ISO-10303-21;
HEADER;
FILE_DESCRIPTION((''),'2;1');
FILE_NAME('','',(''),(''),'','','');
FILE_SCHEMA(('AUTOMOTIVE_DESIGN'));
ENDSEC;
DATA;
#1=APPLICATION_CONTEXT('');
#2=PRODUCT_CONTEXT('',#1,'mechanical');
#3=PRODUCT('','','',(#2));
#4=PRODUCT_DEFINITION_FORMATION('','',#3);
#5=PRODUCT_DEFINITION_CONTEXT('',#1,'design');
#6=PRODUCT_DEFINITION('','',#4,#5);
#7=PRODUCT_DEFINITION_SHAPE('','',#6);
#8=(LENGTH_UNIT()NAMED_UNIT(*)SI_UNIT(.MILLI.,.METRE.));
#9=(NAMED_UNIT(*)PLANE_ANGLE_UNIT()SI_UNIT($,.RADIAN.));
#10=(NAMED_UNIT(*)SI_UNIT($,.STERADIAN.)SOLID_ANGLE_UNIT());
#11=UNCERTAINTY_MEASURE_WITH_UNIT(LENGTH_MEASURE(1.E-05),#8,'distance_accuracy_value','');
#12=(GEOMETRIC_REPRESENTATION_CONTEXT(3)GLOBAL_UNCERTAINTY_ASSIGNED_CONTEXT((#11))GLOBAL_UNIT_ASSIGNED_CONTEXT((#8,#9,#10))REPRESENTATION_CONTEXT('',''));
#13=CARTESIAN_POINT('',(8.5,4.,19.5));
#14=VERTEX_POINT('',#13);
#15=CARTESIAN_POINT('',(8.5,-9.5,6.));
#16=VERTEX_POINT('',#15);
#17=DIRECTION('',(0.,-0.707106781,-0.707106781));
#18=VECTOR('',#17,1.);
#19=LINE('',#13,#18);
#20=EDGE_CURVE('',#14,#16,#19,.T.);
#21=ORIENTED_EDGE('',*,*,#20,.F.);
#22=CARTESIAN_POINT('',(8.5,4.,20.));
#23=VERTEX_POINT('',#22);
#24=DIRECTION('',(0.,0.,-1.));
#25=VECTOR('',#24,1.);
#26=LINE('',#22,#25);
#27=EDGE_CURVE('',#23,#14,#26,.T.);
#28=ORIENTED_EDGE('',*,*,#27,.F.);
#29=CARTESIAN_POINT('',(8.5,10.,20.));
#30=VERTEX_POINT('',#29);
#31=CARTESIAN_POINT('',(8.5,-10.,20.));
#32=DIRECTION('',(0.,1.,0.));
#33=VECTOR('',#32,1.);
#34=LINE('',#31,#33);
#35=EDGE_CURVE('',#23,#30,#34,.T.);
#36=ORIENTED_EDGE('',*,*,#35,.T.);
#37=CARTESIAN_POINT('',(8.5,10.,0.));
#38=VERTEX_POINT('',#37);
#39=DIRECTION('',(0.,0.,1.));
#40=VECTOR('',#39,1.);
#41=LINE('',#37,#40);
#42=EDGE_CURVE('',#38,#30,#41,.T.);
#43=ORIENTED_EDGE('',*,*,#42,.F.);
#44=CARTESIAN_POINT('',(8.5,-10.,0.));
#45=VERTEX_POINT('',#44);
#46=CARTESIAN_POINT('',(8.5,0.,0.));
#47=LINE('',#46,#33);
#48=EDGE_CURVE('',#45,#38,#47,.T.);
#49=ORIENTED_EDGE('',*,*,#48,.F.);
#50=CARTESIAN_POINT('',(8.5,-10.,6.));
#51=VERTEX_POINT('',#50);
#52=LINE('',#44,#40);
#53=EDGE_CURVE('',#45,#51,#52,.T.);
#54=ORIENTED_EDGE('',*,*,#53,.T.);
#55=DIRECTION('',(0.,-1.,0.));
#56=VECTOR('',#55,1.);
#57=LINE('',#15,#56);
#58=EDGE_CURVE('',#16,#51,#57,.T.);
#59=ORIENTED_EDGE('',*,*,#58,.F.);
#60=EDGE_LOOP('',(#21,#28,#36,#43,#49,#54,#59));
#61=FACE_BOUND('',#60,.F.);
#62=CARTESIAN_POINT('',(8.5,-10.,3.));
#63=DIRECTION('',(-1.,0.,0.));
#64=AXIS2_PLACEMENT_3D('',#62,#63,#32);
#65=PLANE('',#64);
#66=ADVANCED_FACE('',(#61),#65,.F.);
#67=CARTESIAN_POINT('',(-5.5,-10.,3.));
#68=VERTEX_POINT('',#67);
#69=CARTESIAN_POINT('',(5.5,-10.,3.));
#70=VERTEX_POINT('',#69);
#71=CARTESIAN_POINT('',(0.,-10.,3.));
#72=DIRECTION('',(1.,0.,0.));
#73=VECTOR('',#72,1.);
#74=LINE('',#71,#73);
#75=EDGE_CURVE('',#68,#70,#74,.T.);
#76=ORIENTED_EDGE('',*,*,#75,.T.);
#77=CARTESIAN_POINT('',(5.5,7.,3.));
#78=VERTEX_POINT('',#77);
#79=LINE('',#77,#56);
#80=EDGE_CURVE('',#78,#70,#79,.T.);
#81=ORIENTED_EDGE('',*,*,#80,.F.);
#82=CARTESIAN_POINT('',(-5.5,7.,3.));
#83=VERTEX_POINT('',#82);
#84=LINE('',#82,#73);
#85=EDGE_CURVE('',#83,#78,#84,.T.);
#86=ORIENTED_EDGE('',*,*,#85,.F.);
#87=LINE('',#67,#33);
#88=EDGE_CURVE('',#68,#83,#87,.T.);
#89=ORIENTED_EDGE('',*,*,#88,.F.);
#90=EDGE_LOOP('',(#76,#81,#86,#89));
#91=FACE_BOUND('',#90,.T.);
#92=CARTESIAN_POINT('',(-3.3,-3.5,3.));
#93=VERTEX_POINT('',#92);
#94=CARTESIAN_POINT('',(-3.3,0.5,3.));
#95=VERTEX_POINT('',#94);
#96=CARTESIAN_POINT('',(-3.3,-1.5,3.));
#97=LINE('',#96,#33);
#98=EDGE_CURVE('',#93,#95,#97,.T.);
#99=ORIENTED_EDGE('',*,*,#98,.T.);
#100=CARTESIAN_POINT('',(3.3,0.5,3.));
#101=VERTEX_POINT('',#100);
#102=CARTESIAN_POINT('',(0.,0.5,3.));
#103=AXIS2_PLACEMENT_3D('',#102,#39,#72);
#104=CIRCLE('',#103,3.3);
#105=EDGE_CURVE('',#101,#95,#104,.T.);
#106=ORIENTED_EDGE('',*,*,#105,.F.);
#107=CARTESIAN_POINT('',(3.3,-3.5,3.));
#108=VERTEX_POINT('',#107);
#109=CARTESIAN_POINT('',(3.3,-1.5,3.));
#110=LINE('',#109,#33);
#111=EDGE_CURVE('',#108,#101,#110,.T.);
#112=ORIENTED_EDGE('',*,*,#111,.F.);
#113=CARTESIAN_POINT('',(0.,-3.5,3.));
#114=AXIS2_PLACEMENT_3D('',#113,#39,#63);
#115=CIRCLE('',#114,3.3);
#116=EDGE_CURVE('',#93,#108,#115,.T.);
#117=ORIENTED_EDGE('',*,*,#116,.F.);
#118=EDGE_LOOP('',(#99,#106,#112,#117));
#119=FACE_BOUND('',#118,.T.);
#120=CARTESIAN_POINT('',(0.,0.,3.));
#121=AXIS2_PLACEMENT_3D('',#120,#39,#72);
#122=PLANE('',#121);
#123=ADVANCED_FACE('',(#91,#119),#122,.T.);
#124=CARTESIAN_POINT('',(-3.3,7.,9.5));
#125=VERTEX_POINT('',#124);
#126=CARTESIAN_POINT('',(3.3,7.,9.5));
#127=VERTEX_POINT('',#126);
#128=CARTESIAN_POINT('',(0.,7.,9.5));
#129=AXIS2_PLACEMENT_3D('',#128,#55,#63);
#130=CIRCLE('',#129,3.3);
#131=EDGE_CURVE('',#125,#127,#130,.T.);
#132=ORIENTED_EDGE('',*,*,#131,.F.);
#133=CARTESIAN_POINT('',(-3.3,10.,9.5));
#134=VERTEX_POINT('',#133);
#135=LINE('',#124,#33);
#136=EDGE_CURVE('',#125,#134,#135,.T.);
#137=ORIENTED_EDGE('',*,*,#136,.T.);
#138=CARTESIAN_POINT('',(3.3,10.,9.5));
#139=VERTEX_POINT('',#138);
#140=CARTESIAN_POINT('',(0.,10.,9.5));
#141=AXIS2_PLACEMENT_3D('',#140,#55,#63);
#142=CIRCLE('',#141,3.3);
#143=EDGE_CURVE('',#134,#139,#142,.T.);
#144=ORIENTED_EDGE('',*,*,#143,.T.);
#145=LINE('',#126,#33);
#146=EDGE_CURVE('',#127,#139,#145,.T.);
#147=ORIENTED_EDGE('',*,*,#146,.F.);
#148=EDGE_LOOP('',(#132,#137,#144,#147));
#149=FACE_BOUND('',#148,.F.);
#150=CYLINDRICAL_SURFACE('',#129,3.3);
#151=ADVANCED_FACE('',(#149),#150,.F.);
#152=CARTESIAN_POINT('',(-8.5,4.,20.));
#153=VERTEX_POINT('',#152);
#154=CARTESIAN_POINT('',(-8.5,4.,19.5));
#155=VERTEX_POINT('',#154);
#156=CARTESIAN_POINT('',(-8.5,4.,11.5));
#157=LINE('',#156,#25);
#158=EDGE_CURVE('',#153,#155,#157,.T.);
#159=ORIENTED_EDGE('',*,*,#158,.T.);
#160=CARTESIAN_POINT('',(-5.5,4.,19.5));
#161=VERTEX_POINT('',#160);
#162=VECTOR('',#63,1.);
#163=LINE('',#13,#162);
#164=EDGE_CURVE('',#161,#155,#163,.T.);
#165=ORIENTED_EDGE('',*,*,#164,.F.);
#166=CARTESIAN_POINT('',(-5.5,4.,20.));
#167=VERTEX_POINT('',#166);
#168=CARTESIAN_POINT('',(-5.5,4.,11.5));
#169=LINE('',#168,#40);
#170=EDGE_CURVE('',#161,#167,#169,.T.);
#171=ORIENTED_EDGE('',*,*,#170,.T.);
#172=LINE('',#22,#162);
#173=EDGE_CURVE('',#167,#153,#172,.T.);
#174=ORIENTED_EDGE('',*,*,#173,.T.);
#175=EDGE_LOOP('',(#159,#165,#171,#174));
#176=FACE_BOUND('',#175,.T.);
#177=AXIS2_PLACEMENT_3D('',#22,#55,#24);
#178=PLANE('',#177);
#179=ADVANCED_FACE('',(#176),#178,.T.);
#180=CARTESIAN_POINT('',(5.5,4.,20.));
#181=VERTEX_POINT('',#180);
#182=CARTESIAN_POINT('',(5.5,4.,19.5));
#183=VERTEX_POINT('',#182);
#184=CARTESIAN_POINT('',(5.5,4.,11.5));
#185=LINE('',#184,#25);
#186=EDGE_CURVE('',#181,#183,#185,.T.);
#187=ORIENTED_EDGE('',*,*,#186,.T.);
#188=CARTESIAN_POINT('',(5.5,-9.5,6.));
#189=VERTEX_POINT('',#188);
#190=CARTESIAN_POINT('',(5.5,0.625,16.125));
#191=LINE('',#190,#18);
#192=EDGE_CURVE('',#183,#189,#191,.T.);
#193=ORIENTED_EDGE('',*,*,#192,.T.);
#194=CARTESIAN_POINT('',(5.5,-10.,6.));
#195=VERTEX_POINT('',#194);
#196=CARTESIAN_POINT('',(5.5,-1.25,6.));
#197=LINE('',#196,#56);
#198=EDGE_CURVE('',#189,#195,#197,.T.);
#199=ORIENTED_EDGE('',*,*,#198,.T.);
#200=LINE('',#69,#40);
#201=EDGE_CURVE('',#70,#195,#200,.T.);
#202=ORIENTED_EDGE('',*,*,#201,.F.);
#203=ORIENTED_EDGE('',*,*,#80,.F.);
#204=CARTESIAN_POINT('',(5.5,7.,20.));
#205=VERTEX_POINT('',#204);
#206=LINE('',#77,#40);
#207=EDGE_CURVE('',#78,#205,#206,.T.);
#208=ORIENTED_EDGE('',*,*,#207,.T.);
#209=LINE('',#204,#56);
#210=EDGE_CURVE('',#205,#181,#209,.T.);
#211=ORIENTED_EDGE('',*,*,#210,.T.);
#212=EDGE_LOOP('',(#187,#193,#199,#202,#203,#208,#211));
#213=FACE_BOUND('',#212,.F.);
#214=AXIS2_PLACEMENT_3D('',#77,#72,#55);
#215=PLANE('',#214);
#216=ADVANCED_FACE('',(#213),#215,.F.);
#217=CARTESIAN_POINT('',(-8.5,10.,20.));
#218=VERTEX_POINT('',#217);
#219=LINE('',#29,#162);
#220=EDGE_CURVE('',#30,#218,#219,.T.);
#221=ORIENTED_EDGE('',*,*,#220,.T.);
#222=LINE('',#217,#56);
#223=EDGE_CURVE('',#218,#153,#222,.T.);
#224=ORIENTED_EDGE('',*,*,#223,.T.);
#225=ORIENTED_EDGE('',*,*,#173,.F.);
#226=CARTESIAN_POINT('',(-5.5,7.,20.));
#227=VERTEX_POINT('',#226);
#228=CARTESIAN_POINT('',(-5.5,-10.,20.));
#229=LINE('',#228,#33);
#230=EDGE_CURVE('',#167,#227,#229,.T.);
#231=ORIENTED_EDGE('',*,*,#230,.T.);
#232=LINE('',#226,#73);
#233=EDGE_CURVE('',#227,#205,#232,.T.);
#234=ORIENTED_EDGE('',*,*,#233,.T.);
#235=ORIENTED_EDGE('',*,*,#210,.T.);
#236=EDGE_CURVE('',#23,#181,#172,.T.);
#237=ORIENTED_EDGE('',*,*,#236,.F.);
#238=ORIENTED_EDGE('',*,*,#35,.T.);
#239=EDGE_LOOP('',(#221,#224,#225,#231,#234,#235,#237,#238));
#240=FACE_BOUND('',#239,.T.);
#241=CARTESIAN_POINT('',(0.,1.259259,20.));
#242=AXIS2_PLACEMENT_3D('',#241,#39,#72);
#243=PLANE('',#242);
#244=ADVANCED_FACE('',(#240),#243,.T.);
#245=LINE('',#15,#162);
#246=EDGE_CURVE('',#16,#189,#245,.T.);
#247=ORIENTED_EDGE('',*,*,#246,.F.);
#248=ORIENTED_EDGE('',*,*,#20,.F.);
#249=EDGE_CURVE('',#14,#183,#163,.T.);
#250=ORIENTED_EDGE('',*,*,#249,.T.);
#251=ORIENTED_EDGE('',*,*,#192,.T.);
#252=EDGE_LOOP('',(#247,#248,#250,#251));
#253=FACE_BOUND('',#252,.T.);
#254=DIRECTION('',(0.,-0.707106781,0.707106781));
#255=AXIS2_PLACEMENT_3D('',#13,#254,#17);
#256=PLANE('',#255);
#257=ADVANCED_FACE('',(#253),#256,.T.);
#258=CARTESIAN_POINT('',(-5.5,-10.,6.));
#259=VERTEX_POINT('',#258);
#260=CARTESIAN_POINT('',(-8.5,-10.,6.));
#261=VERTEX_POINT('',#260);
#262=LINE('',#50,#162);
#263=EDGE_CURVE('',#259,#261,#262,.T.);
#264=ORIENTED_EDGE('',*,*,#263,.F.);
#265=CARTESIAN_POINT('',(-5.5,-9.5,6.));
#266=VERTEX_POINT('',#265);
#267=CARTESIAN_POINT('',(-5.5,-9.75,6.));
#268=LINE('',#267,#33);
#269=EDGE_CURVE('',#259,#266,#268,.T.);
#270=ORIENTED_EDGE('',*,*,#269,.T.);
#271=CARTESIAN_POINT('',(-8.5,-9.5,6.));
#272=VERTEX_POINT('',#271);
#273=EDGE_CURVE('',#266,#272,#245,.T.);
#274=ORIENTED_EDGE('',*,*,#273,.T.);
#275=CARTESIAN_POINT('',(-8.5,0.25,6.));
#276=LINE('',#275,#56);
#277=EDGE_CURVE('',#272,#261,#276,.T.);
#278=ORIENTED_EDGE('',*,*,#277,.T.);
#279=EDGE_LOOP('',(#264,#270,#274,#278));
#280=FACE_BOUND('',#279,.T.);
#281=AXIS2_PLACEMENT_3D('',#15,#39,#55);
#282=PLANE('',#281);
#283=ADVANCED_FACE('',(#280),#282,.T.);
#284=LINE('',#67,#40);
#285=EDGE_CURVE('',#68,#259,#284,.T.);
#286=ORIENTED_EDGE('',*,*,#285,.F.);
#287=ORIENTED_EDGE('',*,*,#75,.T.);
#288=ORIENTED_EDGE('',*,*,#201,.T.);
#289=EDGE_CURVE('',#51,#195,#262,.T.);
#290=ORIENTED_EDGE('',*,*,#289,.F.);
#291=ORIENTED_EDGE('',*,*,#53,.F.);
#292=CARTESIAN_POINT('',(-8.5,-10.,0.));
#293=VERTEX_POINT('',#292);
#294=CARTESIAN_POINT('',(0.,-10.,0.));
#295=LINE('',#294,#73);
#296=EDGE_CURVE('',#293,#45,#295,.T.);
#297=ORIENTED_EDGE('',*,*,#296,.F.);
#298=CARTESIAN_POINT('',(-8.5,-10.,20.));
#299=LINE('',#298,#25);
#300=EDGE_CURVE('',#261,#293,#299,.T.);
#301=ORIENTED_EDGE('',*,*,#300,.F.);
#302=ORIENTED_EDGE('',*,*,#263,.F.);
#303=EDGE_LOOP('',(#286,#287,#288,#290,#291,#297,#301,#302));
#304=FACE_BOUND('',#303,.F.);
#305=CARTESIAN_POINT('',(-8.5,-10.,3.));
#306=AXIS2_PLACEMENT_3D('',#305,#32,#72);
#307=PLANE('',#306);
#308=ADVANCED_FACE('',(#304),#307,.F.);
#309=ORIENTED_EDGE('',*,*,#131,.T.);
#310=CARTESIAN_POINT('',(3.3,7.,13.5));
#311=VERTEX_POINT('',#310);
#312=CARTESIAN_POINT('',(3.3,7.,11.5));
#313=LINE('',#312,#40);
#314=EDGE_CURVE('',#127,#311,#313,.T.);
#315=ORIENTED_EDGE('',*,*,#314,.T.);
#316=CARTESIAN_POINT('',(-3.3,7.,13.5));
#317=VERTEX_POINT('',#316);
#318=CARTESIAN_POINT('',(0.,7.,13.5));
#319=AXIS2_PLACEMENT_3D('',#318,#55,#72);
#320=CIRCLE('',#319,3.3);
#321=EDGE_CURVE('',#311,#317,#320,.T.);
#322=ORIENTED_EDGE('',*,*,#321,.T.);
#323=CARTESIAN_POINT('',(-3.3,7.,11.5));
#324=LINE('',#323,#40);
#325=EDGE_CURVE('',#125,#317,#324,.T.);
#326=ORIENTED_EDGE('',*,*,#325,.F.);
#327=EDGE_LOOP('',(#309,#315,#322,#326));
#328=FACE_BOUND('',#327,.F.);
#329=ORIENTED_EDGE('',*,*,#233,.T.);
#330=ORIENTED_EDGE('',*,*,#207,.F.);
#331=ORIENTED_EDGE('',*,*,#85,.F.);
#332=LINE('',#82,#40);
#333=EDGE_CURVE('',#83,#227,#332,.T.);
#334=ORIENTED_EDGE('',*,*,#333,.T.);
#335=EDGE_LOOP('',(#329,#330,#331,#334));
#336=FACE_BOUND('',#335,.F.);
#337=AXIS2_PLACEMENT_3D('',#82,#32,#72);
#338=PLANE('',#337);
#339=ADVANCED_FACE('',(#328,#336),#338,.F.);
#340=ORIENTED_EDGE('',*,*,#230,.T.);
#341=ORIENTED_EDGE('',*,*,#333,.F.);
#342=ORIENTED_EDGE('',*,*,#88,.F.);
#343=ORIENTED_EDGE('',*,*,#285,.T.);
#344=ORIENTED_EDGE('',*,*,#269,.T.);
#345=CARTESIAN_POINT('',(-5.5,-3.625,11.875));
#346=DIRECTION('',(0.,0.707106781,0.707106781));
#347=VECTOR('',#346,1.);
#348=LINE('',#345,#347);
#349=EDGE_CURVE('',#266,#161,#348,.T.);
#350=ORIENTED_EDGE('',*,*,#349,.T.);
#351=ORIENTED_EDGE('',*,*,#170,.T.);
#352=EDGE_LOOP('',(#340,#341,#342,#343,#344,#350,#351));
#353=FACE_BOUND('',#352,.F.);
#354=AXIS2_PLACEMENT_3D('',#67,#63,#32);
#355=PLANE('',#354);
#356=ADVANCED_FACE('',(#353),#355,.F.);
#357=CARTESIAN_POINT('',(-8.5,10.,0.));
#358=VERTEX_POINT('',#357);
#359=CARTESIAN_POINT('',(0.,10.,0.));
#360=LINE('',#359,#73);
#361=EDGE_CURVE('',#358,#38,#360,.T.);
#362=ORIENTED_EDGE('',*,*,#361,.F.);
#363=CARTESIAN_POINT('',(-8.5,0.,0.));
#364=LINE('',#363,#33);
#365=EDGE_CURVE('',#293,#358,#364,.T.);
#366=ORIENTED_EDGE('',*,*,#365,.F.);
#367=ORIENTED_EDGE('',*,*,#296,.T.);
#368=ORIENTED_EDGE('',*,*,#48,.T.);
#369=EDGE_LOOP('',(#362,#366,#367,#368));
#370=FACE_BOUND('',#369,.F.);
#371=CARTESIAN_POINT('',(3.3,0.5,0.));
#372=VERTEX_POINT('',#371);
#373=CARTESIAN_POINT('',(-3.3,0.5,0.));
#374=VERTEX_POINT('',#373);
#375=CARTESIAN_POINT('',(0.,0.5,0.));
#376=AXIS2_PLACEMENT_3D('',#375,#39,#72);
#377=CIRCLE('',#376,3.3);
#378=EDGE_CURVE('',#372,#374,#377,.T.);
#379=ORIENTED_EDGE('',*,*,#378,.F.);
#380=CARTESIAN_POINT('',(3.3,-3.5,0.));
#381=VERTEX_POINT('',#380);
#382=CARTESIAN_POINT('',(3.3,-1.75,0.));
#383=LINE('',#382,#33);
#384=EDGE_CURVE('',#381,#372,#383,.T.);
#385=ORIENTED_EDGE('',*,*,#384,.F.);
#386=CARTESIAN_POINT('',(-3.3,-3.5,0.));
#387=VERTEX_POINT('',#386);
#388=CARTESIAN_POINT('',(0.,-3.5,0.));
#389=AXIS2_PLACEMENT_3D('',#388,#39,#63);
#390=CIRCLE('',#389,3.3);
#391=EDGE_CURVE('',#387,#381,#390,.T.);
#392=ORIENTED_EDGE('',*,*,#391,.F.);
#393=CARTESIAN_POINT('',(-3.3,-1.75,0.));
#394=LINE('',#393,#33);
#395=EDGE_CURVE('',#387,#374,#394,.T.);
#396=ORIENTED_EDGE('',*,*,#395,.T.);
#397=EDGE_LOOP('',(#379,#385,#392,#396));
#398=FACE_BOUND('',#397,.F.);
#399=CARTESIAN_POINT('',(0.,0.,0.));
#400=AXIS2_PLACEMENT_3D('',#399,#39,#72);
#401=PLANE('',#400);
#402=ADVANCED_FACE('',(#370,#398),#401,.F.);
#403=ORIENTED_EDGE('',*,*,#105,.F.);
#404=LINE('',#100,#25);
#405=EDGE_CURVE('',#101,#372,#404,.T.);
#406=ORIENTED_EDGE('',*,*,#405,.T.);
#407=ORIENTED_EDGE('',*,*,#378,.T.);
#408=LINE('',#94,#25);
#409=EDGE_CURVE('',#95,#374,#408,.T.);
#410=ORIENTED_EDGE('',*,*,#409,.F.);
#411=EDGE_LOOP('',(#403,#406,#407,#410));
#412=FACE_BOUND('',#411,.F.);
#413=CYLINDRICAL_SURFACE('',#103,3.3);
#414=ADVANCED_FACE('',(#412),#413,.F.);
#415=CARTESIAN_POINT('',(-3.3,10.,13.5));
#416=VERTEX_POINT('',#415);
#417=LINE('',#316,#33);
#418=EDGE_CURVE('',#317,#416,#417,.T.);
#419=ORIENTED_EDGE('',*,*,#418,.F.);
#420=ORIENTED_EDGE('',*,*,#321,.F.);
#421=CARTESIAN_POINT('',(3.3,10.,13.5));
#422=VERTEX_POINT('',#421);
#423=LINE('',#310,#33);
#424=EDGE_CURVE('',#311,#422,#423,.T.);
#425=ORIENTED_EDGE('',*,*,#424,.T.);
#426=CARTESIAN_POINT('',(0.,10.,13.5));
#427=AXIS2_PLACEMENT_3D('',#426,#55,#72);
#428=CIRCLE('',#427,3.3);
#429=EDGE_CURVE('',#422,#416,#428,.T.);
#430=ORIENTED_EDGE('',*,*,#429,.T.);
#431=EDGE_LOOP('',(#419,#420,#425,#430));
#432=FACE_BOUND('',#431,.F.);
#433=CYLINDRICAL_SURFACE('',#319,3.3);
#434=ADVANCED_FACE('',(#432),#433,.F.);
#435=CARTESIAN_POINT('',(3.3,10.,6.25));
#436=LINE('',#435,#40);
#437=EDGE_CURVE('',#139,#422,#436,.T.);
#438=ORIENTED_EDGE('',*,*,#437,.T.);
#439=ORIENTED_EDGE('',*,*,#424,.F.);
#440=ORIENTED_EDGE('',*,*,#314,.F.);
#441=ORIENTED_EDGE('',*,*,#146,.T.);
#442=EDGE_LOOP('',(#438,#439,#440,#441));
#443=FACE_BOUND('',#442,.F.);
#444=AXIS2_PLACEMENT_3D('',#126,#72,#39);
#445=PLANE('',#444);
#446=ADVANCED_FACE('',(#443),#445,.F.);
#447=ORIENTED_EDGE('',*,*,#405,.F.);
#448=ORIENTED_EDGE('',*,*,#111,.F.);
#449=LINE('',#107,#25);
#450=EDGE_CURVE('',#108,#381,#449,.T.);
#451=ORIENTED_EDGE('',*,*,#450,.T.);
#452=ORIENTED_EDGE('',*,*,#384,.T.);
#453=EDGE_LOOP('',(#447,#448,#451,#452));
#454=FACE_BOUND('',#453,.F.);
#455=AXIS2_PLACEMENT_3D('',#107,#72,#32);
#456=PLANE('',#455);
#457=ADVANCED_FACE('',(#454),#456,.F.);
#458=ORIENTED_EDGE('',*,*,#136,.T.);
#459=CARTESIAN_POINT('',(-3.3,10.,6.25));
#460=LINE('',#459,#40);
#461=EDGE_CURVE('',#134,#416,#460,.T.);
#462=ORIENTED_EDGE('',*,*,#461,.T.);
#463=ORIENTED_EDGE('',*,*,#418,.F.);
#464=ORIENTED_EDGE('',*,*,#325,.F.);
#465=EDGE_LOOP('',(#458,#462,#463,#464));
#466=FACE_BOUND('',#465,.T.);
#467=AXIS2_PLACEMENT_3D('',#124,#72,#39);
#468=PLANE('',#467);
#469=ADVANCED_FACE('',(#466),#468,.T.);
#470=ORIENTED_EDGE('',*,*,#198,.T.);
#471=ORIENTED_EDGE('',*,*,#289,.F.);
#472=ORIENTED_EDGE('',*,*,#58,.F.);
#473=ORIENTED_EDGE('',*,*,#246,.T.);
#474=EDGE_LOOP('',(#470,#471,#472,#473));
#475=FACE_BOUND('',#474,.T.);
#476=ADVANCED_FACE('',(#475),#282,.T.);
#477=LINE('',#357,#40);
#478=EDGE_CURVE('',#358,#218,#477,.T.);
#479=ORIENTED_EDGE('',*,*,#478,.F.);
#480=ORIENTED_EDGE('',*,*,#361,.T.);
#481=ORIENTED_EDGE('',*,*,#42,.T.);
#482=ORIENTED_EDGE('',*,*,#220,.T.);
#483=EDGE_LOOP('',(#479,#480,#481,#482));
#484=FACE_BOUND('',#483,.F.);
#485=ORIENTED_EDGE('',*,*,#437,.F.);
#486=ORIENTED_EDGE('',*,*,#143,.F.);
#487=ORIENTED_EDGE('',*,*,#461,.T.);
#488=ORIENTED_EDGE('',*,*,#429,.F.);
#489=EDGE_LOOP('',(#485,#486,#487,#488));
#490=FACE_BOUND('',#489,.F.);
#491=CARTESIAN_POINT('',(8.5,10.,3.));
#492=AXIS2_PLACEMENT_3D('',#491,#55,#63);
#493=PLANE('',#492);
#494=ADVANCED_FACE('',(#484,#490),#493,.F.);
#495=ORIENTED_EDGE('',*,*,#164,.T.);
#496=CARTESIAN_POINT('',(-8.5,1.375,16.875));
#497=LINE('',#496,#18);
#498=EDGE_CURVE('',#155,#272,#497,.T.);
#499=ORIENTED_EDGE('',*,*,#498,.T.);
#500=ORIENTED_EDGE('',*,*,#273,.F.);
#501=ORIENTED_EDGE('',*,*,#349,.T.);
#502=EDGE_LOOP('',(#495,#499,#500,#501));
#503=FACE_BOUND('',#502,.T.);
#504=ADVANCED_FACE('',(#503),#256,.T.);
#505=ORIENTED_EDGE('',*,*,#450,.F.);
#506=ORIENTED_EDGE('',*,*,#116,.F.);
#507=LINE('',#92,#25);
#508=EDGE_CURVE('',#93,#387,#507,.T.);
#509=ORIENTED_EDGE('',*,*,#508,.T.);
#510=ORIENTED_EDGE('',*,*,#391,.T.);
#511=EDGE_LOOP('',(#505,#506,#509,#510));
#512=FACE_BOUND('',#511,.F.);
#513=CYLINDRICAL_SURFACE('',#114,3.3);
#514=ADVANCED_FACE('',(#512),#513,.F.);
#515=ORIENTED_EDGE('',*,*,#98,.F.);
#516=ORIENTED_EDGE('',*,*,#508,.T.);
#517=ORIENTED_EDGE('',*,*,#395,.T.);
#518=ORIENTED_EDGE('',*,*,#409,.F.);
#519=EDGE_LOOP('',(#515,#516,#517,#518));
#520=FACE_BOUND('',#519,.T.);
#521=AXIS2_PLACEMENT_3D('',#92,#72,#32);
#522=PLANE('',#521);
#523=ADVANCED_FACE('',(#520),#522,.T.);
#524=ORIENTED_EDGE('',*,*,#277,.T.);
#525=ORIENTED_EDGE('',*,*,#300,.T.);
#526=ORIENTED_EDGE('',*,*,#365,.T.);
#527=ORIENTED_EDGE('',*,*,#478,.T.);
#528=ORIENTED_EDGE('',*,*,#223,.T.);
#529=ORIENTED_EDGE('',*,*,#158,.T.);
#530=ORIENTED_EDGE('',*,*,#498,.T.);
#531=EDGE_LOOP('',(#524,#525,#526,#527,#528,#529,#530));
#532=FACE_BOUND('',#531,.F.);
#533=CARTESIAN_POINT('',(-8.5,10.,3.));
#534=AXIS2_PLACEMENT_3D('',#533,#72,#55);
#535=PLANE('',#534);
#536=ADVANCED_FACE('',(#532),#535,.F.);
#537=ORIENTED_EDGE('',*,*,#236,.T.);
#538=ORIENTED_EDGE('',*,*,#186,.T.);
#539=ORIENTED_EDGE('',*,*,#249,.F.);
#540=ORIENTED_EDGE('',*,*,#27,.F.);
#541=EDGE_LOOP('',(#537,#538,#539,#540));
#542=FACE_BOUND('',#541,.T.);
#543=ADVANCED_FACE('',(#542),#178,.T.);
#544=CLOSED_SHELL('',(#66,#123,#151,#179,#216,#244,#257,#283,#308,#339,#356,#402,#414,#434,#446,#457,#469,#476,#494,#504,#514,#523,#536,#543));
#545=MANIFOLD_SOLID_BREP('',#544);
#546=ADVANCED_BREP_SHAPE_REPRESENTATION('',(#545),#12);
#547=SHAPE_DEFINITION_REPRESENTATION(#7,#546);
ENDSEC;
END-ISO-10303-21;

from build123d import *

# Parameters (mm, degrees)
F2_W      = 17
F2_H      = 20
F3_DEPTH  = 3
F5_DEPTH  = 17
F7_DEPTH  = 25
F8_W      = 6.6
F8_H      = 4
F9_DEPTH  = 25
F10_W     = 6.6
F10_H     = 4
F11_DEPTH = 25


with BuildPart() as f3:
    # F2 (on Top) → F3 (new body)
    with BuildSketch(Plane.XY):
        Rectangle(F2_W, F2_H)
    extrude(amount=F3_DEPTH)

    # F4 (on face) → F5 (join)
    with BuildSketch(Plane.XY.offset(3)):
        Polygon((-5.5, 7), (5.5, 7), (5.5, -10), (8.5, -10), (8.5, 10), (-8.5, 10), (-8.5, -10), (-5.5, -10), align=None)
    extrude(amount=F5_DEPTH)

    # F6 (on face) → F7 (intersect)
    with BuildSketch(Plane.YZ.offset(8.5)):
        Polygon((-10, 6), (-10, 0), (10, 0), (10, 20), (4, 20), (4, 19.5), (-9.5, 6), align=None)
    extrude(amount=-F7_DEPTH, mode=Mode.INTERSECT)

    # F8 (on face) → F9 (cut)
    with BuildSketch(Plane.XY.offset(3)):
        with BuildLine():
            ThreePointArc((3.3, 0.5), (0, 3.8), (-3.3, 0.5))
            Line((-3.3, 0.5), (3.3, 0.5))
        make_face()
        with Locations((0, -1.5)):
            Rectangle(F8_W, F8_H)
        with BuildLine():
            Line((3.3, -3.5), (-3.3, -3.5))
            ThreePointArc((-3.3, -3.5), (0, -6.8), (3.3, -3.5))
        make_face()
    extrude(amount=-F9_DEPTH, mode=Mode.SUBTRACT)

    # F10 (on face) → F11 (cut)
    with BuildSketch(Plane.XZ.offset(-7)):
        with BuildLine():
            ThreePointArc((-3.3, 9.5), (0, 6.2), (3.3, 9.5))
            Line((3.3, 9.5), (-3.3, 9.5))
        make_face()
        with Locations((0, 11.5)):
            Rectangle(F10_W, F10_H)
        with BuildLine():
            Line((-3.3, 13.5), (3.3, 13.5))
            ThreePointArc((3.3, 13.5), (0, 16.8), (-3.3, 13.5))
        make_face()
    extrude(amount=-F11_DEPTH, mode=Mode.SUBTRACT)


solid = f3.part
